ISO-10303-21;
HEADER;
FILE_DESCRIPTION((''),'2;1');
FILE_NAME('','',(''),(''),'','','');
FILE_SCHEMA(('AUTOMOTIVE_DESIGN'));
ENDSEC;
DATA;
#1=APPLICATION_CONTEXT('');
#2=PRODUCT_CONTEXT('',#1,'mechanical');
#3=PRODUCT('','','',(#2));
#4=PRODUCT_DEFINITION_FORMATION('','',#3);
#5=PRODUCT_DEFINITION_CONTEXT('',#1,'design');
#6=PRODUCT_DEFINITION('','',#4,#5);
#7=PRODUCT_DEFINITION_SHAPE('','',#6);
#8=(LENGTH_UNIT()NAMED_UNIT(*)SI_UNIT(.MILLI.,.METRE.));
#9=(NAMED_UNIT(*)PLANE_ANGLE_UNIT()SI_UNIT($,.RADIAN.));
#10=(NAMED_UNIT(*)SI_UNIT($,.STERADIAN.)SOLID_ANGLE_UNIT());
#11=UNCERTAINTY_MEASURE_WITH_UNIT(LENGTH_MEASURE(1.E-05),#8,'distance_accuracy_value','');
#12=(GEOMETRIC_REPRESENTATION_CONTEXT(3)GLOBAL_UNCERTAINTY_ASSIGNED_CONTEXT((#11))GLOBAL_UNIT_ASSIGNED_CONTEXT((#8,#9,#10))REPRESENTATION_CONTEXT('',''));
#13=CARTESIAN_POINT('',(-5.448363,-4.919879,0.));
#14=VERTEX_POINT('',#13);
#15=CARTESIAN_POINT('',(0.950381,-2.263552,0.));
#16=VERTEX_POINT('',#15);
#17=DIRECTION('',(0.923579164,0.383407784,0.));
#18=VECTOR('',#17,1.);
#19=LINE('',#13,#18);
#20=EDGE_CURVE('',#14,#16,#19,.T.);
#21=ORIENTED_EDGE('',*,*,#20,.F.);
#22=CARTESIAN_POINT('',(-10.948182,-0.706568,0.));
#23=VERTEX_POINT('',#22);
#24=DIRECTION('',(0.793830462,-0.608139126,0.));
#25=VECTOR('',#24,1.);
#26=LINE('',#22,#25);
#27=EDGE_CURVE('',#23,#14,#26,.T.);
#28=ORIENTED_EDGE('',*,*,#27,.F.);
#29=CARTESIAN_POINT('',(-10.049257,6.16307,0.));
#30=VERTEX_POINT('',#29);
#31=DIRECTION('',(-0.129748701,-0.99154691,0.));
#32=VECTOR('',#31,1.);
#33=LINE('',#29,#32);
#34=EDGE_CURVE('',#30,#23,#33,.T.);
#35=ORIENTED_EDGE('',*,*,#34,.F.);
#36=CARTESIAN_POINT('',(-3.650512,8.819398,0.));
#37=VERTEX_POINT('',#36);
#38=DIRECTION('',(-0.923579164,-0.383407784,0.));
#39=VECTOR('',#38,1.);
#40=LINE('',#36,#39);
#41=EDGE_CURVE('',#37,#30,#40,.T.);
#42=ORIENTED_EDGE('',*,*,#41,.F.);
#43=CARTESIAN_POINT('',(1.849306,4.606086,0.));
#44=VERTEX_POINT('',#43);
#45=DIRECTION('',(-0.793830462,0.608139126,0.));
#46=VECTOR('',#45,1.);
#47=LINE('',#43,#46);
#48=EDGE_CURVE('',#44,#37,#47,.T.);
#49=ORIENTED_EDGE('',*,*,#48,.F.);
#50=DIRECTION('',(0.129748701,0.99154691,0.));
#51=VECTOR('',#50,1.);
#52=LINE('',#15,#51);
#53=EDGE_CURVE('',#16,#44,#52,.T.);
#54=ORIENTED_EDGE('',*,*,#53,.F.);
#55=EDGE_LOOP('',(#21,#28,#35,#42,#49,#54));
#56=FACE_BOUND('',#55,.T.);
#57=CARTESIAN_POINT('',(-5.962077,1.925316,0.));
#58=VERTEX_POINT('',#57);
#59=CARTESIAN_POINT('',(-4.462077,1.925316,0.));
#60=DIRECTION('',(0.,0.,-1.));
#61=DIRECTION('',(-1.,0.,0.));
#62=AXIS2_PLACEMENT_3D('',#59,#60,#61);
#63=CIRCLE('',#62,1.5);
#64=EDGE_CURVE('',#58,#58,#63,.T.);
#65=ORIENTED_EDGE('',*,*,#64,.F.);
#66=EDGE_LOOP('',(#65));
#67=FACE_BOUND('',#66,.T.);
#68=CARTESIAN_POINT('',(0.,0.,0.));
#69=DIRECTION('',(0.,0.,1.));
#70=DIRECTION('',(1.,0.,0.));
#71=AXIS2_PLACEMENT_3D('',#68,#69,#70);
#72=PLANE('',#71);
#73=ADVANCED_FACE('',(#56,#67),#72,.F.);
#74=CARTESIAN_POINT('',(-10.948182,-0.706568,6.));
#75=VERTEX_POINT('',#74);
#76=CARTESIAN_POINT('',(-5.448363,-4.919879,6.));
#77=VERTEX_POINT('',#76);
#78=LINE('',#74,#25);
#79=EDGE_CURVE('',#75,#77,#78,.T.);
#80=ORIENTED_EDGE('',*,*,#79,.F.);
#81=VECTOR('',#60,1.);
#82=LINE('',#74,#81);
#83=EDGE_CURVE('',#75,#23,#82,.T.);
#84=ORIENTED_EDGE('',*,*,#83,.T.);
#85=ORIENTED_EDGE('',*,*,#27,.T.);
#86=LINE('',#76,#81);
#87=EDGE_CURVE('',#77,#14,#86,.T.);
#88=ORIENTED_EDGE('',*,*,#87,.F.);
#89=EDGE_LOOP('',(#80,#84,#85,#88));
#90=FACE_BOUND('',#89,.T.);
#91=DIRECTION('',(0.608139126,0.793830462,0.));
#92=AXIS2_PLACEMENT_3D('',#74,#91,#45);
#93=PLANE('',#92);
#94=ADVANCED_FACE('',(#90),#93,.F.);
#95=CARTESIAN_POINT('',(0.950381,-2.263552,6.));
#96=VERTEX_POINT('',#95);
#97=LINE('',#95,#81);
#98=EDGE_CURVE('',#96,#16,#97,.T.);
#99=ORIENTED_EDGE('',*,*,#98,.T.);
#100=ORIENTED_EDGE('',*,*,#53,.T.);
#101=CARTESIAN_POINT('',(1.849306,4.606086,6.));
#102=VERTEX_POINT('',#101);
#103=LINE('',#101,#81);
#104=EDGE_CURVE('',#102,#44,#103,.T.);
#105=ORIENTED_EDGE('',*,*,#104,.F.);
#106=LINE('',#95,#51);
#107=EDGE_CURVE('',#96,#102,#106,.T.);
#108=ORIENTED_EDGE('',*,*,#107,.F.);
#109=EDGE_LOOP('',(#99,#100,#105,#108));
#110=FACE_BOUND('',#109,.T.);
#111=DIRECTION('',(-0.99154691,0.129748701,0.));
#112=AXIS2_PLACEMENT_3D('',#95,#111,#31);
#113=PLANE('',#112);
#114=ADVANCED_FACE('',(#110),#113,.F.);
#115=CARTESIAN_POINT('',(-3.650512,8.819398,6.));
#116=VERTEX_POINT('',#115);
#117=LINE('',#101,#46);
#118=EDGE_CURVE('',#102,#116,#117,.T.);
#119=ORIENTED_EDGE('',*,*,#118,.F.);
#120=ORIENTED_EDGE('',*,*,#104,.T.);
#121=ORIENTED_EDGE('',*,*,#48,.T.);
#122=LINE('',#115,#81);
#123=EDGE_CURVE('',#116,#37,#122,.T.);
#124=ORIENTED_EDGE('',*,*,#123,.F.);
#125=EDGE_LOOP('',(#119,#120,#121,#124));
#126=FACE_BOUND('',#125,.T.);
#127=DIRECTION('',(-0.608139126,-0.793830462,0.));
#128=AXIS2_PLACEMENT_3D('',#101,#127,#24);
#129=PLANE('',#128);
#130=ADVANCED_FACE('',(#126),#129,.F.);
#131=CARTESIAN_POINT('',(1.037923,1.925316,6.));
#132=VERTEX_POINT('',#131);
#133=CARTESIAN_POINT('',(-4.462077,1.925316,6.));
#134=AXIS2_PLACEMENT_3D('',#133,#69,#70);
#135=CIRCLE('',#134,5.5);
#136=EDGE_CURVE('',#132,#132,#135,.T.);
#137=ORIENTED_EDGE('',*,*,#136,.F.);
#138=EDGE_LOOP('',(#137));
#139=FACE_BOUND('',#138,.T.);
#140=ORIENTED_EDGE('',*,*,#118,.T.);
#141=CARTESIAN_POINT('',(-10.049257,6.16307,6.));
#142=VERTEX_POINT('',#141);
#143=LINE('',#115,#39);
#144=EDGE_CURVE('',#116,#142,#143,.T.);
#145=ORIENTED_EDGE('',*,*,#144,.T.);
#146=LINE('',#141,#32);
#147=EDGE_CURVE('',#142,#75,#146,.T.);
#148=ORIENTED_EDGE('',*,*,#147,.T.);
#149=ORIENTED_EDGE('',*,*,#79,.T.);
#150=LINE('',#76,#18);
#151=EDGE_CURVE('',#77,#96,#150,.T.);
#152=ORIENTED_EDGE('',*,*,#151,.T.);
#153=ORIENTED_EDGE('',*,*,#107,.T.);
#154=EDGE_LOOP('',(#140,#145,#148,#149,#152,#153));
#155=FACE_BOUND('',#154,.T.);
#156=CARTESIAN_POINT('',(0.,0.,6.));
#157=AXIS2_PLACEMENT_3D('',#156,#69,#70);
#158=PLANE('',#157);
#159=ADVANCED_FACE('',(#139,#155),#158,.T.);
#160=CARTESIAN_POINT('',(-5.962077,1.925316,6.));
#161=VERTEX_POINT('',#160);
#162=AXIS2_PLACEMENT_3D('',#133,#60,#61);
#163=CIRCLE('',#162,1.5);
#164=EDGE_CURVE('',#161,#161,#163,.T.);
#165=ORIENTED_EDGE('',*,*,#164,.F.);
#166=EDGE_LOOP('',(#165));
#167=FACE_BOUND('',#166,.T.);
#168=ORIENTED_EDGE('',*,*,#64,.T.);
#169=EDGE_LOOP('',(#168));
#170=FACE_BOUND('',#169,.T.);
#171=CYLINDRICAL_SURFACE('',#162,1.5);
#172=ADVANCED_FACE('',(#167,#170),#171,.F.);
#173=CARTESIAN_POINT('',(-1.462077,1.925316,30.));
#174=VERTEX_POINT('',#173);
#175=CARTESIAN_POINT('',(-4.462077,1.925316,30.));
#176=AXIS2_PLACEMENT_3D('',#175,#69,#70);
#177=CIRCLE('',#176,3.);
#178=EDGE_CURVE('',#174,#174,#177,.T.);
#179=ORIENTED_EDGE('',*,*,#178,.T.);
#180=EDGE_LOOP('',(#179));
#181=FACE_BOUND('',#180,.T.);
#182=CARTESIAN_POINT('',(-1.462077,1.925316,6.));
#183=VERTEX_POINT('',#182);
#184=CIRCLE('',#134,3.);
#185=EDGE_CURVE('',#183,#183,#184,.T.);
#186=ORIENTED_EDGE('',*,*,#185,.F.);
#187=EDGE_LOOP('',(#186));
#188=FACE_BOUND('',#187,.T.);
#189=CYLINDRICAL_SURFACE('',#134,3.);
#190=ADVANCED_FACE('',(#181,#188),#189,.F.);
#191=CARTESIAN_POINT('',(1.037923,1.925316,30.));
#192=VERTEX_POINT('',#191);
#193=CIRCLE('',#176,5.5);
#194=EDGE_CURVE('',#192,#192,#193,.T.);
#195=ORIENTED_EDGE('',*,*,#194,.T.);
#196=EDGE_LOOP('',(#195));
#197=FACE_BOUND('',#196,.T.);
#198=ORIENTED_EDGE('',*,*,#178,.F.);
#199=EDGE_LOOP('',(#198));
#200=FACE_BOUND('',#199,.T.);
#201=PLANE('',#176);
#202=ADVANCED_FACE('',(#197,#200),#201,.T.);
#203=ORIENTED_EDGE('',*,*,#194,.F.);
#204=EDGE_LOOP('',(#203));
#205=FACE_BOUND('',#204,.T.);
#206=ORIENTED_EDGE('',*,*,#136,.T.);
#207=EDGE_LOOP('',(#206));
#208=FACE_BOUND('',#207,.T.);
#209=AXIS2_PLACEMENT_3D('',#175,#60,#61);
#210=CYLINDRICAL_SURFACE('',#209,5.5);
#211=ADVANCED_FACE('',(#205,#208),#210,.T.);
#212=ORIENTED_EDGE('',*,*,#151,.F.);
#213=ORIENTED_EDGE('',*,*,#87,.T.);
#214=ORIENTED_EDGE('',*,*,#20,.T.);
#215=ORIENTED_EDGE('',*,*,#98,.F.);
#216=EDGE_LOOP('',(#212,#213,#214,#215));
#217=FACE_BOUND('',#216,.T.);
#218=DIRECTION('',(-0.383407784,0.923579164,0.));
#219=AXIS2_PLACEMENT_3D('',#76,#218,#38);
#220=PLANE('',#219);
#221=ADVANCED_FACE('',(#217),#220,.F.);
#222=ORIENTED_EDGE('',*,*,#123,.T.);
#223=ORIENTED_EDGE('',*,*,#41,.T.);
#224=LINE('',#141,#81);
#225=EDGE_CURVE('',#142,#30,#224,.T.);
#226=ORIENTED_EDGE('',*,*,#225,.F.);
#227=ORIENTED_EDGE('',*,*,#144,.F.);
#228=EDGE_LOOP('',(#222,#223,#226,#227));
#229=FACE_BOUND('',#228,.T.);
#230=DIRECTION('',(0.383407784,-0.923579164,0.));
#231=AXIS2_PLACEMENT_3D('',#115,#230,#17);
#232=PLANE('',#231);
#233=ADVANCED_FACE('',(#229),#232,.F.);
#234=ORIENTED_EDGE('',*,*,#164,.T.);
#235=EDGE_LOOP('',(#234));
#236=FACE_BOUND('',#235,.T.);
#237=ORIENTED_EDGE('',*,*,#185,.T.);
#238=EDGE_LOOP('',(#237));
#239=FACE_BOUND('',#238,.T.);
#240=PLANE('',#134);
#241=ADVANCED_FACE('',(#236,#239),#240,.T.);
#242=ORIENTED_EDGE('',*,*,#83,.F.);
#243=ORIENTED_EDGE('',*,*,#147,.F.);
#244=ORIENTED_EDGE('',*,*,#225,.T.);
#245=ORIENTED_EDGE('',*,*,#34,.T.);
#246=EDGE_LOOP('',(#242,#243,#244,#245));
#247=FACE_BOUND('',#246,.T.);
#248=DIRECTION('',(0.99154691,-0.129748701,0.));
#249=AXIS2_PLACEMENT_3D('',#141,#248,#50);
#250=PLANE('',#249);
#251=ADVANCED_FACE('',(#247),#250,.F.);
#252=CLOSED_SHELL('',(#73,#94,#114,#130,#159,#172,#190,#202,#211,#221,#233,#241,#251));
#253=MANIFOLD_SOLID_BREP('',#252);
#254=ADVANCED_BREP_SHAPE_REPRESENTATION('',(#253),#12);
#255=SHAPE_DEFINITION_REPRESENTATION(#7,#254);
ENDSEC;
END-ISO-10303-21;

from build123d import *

# Parameters (mm, degrees)
BOSS_EXTRUDE1_DEPTH = 6
SKETCH3_R           = 5.5
BOSS_EXTRUDE2_DEPTH = 24
SKETCH4_R           = 1.5
CUT_EXTRUDE1_DEPTH  = 6
SKETCH5_R           = 3
CUT_EXTRUDE2_DEPTH  = 24


with BuildPart() as part:
    # Sketch1 → Boss-Extrude1 (new body)
    with BuildSketch(Plane.XY):
        Polygon((0.950381036, -2.263552428), (1.849306406, 4.606086076), (-3.650512368, 8.819397535), (-10.049256513, 6.163070489), (-10.948181883, -0.706568015), (-5.448363108, -4.919879474), align=None)
    extrude(amount=BOSS_EXTRUDE1_DEPTH)

    # Sketch3 → Boss-Extrude2 (add)
    with BuildSketch(Plane.XY.offset(6)):
        with Locations((-4.462077205, 1.925315909)):
            Circle(SKETCH3_R)
    extrude(amount=BOSS_EXTRUDE2_DEPTH)

    # Sketch4 → Cut-Extrude1 (cut)
    with BuildSketch(Plane(origin=(0, 0, 0), x_dir=(-1, 0, 0), z_dir=(0, 0, -1))):
        with Locations((4.462077205, 1.925315909)):
            Circle(SKETCH4_R)
    extrude(amount=-CUT_EXTRUDE1_DEPTH, mode=Mode.SUBTRACT)

    # Sketch5 → Cut-Extrude2 (cut)
    with BuildSketch(Plane.XY.offset(30)):
        with Locations((-4.462077205, 1.925315909)):
            Circle(SKETCH5_R)
    extrude(amount=-CUT_EXTRUDE2_DEPTH, mode=Mode.SUBTRACT)


solid = part.part
